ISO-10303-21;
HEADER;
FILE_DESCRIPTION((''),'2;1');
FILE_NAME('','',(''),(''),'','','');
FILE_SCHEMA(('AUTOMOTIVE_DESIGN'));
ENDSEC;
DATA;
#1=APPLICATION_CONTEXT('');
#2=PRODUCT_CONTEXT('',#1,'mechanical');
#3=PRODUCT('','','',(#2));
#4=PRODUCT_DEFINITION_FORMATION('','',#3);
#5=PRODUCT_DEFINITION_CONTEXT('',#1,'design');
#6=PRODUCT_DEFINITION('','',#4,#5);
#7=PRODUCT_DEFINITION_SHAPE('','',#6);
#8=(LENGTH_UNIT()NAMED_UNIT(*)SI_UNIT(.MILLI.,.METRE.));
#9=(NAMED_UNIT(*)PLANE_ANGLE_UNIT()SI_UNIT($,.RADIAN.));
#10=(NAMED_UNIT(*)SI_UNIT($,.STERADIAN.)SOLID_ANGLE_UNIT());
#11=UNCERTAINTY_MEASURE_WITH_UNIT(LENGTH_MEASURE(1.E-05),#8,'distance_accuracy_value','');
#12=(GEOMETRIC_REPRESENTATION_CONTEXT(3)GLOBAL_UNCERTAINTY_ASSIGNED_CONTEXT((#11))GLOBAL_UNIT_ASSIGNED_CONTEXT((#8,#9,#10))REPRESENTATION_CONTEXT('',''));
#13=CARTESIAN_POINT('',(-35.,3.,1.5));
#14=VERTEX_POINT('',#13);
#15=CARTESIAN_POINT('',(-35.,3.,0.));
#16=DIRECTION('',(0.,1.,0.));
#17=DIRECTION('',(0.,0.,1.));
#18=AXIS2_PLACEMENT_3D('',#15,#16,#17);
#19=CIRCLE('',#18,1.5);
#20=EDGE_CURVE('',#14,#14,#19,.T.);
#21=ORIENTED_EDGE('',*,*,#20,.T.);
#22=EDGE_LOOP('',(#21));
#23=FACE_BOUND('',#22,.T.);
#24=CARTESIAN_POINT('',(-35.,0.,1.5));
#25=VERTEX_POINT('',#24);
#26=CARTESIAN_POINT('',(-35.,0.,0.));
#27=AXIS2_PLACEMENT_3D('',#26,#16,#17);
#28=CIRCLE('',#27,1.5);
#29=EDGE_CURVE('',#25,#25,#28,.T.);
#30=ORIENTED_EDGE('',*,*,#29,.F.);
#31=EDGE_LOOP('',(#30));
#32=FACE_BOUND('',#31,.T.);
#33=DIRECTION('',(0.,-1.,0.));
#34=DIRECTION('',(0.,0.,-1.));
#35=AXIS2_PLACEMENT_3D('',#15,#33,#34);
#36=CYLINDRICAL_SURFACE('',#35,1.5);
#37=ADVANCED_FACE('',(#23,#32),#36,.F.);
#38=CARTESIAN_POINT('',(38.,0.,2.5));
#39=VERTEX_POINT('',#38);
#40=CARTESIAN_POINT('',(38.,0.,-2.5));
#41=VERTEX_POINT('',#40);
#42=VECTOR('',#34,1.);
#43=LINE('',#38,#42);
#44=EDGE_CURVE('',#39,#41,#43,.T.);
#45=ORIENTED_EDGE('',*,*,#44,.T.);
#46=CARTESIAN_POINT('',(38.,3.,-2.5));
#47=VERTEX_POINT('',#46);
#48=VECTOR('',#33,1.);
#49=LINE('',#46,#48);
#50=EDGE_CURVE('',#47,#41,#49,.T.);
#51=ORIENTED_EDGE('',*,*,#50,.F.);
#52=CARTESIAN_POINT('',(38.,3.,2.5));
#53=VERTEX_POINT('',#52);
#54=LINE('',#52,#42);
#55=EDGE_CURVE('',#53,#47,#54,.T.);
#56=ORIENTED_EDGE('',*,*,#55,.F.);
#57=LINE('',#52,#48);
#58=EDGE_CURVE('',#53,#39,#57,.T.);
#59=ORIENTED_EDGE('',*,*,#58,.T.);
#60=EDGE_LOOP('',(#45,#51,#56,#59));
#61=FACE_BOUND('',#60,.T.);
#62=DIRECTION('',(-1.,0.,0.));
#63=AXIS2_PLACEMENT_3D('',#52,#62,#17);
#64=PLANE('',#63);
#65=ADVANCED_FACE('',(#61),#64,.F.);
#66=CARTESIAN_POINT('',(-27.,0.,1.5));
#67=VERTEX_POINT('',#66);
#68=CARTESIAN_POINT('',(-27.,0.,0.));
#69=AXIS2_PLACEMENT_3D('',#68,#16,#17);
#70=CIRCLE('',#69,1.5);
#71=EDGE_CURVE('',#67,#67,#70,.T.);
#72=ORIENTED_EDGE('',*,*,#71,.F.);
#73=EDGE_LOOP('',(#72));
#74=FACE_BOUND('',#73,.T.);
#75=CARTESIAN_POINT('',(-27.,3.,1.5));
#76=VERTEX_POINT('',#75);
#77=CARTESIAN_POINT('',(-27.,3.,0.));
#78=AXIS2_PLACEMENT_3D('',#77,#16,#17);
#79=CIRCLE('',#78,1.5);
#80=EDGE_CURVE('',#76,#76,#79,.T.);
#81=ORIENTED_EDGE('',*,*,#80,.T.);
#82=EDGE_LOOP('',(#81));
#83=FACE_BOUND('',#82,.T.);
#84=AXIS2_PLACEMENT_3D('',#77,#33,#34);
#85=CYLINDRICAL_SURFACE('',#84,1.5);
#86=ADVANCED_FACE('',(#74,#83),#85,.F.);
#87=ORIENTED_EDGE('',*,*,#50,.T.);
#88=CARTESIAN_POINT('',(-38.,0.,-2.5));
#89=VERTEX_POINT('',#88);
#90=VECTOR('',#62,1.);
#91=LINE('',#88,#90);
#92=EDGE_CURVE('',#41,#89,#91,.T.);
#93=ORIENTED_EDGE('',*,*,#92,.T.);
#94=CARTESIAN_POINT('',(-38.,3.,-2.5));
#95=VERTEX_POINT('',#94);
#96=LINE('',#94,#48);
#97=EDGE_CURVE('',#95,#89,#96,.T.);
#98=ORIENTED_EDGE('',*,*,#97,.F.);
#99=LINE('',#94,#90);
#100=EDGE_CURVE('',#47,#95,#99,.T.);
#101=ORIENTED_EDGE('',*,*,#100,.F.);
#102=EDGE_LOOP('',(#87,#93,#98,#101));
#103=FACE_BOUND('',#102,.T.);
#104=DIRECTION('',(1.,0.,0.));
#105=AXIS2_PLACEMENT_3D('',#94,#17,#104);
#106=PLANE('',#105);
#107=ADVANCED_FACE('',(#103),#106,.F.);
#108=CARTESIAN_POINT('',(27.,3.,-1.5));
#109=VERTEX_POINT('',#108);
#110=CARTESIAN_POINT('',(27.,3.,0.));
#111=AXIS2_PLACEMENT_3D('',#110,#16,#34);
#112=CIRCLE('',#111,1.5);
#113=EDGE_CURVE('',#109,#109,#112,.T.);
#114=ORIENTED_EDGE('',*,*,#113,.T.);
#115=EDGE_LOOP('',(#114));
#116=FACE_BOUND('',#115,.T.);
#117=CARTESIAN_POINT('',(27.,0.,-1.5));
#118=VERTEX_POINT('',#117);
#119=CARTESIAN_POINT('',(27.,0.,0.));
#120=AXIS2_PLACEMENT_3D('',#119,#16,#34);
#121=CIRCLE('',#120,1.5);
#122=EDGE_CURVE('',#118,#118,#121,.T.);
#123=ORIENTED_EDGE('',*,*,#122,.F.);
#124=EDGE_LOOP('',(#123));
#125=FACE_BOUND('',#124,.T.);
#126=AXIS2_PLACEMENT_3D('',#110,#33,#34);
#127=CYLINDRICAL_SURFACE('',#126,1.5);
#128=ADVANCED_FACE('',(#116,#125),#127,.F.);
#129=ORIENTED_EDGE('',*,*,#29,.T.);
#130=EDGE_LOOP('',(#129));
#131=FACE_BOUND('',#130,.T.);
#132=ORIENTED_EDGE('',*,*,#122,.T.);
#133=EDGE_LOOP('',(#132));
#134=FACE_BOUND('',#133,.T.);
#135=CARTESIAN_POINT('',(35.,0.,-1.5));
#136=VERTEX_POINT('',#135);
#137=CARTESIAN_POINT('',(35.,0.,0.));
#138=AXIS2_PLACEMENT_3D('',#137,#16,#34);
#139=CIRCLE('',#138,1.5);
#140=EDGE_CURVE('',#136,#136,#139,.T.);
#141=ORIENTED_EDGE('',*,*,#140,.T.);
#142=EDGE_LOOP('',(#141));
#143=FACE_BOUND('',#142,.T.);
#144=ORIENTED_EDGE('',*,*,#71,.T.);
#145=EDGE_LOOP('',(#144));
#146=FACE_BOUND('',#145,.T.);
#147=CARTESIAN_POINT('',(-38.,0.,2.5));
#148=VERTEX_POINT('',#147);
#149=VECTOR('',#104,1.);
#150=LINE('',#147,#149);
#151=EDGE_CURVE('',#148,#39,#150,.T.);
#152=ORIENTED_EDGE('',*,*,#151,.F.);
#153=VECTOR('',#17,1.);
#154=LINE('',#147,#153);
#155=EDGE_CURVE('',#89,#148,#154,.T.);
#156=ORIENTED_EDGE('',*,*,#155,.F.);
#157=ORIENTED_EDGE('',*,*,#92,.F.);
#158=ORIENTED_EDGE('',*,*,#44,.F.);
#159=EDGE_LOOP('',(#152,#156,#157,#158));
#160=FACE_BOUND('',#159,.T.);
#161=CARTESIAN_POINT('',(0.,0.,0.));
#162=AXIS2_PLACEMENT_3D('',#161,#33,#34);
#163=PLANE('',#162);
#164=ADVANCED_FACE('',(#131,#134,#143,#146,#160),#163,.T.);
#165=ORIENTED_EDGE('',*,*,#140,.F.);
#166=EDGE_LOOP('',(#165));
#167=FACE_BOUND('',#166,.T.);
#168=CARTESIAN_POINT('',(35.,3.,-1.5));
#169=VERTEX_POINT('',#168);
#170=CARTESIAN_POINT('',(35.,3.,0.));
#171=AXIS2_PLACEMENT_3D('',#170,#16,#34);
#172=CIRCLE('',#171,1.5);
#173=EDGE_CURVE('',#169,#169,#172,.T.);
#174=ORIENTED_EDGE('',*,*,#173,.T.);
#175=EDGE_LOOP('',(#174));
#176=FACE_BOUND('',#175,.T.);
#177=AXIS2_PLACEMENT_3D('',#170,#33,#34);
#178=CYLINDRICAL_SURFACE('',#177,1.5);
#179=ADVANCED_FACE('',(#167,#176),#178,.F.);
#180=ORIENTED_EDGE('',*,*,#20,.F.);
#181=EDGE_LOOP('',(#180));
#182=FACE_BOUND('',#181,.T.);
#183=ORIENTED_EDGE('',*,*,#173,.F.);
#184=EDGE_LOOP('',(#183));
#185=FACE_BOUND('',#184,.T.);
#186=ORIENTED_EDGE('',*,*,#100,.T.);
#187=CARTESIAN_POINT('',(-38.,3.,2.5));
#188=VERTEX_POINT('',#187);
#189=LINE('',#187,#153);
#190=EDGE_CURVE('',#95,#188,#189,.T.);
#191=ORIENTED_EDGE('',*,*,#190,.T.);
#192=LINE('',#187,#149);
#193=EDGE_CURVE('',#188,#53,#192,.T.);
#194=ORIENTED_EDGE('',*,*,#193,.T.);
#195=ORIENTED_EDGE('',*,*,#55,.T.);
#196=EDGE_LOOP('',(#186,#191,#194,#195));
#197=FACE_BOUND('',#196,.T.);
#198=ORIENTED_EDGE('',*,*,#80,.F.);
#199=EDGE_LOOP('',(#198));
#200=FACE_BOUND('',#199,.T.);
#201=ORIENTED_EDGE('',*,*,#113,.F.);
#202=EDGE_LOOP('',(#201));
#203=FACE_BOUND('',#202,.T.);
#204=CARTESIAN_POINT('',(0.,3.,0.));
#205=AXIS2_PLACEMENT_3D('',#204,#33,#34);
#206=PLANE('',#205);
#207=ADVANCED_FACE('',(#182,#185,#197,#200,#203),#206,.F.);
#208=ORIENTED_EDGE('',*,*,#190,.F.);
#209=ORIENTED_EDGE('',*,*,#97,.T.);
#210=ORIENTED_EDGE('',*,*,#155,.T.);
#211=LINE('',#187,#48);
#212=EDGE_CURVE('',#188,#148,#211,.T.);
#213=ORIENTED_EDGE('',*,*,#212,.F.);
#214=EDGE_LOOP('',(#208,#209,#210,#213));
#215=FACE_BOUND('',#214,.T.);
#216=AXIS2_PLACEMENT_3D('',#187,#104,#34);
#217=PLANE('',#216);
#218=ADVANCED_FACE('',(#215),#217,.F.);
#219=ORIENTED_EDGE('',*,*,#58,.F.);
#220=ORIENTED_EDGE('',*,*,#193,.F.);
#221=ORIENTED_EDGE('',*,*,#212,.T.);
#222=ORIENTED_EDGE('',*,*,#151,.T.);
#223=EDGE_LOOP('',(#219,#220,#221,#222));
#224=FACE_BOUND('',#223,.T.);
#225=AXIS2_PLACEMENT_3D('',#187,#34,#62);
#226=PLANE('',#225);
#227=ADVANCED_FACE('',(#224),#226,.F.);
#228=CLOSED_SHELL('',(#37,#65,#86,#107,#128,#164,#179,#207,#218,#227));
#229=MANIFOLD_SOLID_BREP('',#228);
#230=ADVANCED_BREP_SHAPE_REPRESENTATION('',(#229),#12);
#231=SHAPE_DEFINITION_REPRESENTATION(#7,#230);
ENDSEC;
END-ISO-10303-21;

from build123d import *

# Parameters (mm, degrees)
SKETCH1_W           = 76
SKETCH1_H           = 5
SKETCH1_R           = 1.5
BOSS_EXTRUDE1_DEPTH = 3


with BuildPart() as part:
    # Sketch1 → Boss-Extrude1 (new body)
    with BuildSketch(Plane(origin=(0, 0, 0), x_dir=(1, 0, 0), z_dir=(0, 1, 0))):
        Rectangle(SKETCH1_W, SKETCH1_H)
        with Locations(Location((-35, 0, 0), (0, 0, 270))):
            Circle(SKETCH1_R, mode=Mode.SUBTRACT)
        with Locations(Location((-27, 0, 0), (0, 0, 270))):
            Circle(SKETCH1_R, mode=Mode.SUBTRACT)
        with Locations(Location((35, 0, 0), (0, 0, 90))):
            Circle(SKETCH1_R, mode=Mode.SUBTRACT)
        with Locations(Location((27, 0, 0), (0, 0, 90))):
            Circle(SKETCH1_R, mode=Mode.SUBTRACT)
    extrude(amount=BOSS_EXTRUDE1_DEPTH)


solid = part.part
